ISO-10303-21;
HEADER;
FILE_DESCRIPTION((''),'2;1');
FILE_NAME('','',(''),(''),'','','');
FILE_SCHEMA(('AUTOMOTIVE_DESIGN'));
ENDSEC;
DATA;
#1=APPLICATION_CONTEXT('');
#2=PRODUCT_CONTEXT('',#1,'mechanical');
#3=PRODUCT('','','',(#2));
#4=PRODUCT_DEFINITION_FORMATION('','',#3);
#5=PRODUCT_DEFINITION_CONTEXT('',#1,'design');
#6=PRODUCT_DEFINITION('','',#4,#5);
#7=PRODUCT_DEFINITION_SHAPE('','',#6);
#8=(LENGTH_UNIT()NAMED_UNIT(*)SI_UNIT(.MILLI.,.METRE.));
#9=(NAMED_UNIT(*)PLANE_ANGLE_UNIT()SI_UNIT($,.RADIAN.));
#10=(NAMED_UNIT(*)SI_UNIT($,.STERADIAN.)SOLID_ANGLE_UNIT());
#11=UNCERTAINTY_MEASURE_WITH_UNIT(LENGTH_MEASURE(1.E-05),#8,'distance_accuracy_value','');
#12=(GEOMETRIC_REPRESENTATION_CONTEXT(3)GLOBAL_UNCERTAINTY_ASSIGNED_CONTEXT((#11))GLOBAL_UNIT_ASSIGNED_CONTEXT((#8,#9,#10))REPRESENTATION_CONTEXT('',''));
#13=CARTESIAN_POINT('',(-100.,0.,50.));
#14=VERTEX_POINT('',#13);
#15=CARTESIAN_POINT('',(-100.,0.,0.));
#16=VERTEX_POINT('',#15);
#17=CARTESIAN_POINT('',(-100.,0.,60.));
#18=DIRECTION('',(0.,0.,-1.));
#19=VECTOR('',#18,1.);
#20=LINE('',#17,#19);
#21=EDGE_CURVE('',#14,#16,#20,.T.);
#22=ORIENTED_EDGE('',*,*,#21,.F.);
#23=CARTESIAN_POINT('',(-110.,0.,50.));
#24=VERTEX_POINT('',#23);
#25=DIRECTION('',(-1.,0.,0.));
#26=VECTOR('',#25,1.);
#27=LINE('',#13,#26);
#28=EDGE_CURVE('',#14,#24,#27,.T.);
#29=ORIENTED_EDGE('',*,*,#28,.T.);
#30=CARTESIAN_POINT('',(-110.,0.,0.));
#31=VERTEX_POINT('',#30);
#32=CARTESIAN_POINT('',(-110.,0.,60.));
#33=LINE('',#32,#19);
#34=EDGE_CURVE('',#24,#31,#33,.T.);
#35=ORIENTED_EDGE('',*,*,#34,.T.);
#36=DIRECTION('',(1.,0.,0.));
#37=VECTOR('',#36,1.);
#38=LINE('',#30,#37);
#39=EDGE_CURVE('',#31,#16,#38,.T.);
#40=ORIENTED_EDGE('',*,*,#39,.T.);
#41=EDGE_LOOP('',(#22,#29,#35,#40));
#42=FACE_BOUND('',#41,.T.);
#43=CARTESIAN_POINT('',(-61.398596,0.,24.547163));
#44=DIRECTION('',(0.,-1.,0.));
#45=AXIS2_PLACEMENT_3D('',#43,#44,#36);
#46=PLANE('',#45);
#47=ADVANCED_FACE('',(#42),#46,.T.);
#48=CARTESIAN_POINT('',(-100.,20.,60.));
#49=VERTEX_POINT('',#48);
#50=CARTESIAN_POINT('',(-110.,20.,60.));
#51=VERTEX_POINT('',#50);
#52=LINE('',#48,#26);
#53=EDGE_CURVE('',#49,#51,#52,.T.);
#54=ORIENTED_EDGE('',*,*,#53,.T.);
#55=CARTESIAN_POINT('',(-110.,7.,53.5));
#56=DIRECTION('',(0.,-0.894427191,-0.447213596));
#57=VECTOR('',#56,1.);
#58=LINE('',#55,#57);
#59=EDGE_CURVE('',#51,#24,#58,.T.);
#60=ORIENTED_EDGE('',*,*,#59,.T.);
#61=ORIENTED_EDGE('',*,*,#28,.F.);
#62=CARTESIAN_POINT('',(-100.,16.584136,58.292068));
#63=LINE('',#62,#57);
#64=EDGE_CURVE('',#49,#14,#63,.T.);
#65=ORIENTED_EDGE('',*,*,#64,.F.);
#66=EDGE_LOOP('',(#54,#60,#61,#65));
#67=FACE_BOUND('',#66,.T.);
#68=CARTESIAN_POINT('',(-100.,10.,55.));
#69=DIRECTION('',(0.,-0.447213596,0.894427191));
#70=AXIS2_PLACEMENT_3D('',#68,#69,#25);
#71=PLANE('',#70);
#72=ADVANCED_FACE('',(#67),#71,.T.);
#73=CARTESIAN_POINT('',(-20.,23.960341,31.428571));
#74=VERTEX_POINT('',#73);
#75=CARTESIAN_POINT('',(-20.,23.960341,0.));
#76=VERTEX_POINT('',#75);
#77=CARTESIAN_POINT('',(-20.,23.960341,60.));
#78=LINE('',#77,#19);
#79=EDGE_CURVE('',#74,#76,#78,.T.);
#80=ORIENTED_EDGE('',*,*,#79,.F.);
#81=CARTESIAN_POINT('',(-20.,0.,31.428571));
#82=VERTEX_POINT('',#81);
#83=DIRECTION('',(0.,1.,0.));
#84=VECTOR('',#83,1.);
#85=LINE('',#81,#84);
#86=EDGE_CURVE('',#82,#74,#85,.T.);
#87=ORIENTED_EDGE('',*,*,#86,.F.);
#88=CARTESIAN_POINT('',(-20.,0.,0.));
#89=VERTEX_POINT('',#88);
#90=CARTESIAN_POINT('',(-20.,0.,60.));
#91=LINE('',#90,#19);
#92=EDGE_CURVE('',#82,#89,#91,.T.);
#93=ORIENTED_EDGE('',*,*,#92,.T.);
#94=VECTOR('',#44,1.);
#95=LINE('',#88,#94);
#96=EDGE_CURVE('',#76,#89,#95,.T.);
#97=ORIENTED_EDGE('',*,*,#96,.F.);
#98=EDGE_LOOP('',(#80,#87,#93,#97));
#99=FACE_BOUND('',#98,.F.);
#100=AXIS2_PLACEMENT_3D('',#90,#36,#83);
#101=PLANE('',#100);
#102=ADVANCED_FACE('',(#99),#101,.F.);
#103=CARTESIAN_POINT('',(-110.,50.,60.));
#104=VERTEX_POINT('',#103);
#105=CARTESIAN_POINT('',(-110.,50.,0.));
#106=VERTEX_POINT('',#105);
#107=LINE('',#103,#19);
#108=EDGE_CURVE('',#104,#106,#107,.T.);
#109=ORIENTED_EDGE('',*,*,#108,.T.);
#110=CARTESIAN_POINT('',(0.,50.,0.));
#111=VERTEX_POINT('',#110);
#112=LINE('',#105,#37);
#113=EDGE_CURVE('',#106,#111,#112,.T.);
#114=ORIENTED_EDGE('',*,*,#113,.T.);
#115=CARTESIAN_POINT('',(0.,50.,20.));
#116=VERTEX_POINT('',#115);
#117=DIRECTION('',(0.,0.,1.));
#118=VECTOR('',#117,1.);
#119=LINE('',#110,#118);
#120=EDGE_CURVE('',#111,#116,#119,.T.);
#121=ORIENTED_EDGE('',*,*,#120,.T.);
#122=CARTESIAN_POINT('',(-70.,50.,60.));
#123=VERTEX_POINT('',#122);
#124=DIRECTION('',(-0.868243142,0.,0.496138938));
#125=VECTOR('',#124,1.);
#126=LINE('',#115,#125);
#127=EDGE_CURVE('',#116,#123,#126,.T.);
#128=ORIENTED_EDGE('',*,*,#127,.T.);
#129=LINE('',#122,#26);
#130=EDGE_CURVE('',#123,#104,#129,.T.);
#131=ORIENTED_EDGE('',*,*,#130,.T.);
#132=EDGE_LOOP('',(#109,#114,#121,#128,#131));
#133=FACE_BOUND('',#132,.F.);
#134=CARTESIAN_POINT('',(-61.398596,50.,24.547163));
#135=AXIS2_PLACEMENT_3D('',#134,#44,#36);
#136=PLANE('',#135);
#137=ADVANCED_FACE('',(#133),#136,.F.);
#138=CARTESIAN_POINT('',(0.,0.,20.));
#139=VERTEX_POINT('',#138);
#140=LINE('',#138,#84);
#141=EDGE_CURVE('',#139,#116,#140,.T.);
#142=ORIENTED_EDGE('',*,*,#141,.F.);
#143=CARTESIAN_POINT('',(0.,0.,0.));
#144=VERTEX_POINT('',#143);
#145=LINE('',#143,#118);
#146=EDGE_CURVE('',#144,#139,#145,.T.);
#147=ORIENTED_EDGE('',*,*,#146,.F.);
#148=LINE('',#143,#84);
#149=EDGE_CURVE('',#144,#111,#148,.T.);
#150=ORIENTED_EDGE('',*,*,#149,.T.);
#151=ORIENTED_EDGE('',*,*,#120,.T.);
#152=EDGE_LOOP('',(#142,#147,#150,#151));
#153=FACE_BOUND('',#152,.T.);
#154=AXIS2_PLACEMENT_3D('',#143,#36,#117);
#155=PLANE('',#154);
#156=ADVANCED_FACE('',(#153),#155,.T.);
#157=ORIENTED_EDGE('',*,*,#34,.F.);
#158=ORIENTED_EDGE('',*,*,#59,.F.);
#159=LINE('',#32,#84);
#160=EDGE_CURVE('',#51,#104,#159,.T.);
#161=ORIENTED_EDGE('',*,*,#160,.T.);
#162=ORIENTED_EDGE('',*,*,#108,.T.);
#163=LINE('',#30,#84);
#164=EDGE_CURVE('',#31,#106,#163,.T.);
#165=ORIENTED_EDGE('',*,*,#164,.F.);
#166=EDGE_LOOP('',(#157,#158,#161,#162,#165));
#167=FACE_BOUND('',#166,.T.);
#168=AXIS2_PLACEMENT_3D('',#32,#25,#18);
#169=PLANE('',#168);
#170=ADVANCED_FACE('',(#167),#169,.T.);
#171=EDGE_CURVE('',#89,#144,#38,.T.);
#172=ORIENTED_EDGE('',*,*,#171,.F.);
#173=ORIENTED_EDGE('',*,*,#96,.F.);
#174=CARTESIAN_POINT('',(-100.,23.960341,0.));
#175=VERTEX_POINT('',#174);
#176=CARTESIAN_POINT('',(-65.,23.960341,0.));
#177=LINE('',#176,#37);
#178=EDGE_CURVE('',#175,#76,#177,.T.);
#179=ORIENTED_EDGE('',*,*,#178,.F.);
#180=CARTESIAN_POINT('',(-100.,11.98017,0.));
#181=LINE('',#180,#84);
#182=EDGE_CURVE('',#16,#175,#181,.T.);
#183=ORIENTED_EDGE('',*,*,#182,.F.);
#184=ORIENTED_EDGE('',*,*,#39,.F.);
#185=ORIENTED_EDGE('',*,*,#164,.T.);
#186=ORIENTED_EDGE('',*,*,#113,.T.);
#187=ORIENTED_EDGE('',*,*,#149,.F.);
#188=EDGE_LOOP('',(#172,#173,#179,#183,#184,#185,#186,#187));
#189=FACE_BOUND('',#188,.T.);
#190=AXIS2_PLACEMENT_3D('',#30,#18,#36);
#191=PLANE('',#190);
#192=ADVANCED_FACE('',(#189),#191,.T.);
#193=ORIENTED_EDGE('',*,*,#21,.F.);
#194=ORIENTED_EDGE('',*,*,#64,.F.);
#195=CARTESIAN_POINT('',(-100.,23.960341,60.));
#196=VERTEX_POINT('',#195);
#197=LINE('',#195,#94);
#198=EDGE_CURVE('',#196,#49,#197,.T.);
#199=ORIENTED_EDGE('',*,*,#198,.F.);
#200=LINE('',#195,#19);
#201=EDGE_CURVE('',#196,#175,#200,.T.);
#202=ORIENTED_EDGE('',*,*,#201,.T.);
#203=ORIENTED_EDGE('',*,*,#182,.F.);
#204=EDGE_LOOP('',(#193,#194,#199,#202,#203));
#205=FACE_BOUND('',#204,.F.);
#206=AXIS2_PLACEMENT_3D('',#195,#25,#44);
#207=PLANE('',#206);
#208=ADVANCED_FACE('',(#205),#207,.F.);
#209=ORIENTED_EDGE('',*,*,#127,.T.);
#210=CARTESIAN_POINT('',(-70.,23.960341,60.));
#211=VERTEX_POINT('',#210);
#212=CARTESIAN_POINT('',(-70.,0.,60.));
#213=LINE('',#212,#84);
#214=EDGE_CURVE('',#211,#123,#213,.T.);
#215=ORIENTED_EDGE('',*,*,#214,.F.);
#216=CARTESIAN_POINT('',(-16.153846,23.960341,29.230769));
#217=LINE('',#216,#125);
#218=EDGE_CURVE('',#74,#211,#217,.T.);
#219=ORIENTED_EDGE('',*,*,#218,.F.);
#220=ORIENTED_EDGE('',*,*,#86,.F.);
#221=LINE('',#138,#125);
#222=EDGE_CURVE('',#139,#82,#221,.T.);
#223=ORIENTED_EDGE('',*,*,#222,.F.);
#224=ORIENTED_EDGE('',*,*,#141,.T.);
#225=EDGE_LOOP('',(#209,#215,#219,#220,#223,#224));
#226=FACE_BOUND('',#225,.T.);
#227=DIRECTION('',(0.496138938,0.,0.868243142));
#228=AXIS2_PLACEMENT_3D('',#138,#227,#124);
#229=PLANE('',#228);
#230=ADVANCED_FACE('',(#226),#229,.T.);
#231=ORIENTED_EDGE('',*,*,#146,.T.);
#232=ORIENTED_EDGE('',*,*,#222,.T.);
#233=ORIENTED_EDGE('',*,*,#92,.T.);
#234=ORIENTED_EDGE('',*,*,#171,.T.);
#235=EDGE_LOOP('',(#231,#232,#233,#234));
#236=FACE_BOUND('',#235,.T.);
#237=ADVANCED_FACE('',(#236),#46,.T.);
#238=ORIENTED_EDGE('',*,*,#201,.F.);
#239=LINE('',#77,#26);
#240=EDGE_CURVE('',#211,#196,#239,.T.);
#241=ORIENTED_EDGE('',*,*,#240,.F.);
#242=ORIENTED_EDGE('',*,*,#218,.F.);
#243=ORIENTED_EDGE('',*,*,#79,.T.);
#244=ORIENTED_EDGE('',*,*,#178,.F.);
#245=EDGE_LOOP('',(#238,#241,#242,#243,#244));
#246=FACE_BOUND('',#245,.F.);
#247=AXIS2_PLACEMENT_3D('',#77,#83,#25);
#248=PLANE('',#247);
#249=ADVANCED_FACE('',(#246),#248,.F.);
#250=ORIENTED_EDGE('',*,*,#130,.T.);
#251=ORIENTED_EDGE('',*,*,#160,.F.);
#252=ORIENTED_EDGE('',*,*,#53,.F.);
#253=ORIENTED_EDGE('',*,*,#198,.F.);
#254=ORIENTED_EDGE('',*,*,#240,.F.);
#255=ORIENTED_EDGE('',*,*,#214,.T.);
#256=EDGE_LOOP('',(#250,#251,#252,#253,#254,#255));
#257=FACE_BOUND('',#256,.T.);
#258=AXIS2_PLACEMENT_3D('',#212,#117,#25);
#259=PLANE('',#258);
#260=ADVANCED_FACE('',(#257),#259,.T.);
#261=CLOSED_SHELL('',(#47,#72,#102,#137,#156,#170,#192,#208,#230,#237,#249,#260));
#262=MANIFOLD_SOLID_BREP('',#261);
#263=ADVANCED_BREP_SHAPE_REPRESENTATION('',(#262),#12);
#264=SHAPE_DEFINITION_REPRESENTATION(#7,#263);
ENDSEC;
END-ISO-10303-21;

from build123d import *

# Parameters (mm, degrees)
F1_DEPTH = 50
F2_W     = 50
F2_H     = 23.9603407681
F3_DEPTH = 60.001
F4_SIZE2 = 10
F4_SIZE  = 20


with BuildPart() as f1:
    # F0 (on Front) → F1 (new body)
    with BuildSketch(Plane.XZ):
        Polygon((-110, 0), (0, 0), (0, 20), (-70, 60), (-110, 60), align=None)
    extrude(amount=-F1_DEPTH)

    # F2 (on face) → F3 (cut, through all)
    with BuildSketch(Plane.XY.offset(60)):
        Polygon((-100, 20), (-100, 0), (-70, 0), (-70, 23.9603407681), (-100, 23.9603407681), align=None)
        with Locations((-45, 11.980170384)):
            Rectangle(F2_W, F2_H)
    extrude(amount=-F3_DEPTH, mode=Mode.SUBTRACT)

    # F4
    f4_edges = [f1.edges().sort_by_distance(p)[0] for p in [
        (-105, 0, 60),
    ]]
    f4_side = f1.faces().sort_by_distance((-92.805245, 32.304762, 60))[0]
    chamfer(f4_edges, length=F4_SIZE, length2=F4_SIZE2, reference=f4_side)


solid = f1.part
